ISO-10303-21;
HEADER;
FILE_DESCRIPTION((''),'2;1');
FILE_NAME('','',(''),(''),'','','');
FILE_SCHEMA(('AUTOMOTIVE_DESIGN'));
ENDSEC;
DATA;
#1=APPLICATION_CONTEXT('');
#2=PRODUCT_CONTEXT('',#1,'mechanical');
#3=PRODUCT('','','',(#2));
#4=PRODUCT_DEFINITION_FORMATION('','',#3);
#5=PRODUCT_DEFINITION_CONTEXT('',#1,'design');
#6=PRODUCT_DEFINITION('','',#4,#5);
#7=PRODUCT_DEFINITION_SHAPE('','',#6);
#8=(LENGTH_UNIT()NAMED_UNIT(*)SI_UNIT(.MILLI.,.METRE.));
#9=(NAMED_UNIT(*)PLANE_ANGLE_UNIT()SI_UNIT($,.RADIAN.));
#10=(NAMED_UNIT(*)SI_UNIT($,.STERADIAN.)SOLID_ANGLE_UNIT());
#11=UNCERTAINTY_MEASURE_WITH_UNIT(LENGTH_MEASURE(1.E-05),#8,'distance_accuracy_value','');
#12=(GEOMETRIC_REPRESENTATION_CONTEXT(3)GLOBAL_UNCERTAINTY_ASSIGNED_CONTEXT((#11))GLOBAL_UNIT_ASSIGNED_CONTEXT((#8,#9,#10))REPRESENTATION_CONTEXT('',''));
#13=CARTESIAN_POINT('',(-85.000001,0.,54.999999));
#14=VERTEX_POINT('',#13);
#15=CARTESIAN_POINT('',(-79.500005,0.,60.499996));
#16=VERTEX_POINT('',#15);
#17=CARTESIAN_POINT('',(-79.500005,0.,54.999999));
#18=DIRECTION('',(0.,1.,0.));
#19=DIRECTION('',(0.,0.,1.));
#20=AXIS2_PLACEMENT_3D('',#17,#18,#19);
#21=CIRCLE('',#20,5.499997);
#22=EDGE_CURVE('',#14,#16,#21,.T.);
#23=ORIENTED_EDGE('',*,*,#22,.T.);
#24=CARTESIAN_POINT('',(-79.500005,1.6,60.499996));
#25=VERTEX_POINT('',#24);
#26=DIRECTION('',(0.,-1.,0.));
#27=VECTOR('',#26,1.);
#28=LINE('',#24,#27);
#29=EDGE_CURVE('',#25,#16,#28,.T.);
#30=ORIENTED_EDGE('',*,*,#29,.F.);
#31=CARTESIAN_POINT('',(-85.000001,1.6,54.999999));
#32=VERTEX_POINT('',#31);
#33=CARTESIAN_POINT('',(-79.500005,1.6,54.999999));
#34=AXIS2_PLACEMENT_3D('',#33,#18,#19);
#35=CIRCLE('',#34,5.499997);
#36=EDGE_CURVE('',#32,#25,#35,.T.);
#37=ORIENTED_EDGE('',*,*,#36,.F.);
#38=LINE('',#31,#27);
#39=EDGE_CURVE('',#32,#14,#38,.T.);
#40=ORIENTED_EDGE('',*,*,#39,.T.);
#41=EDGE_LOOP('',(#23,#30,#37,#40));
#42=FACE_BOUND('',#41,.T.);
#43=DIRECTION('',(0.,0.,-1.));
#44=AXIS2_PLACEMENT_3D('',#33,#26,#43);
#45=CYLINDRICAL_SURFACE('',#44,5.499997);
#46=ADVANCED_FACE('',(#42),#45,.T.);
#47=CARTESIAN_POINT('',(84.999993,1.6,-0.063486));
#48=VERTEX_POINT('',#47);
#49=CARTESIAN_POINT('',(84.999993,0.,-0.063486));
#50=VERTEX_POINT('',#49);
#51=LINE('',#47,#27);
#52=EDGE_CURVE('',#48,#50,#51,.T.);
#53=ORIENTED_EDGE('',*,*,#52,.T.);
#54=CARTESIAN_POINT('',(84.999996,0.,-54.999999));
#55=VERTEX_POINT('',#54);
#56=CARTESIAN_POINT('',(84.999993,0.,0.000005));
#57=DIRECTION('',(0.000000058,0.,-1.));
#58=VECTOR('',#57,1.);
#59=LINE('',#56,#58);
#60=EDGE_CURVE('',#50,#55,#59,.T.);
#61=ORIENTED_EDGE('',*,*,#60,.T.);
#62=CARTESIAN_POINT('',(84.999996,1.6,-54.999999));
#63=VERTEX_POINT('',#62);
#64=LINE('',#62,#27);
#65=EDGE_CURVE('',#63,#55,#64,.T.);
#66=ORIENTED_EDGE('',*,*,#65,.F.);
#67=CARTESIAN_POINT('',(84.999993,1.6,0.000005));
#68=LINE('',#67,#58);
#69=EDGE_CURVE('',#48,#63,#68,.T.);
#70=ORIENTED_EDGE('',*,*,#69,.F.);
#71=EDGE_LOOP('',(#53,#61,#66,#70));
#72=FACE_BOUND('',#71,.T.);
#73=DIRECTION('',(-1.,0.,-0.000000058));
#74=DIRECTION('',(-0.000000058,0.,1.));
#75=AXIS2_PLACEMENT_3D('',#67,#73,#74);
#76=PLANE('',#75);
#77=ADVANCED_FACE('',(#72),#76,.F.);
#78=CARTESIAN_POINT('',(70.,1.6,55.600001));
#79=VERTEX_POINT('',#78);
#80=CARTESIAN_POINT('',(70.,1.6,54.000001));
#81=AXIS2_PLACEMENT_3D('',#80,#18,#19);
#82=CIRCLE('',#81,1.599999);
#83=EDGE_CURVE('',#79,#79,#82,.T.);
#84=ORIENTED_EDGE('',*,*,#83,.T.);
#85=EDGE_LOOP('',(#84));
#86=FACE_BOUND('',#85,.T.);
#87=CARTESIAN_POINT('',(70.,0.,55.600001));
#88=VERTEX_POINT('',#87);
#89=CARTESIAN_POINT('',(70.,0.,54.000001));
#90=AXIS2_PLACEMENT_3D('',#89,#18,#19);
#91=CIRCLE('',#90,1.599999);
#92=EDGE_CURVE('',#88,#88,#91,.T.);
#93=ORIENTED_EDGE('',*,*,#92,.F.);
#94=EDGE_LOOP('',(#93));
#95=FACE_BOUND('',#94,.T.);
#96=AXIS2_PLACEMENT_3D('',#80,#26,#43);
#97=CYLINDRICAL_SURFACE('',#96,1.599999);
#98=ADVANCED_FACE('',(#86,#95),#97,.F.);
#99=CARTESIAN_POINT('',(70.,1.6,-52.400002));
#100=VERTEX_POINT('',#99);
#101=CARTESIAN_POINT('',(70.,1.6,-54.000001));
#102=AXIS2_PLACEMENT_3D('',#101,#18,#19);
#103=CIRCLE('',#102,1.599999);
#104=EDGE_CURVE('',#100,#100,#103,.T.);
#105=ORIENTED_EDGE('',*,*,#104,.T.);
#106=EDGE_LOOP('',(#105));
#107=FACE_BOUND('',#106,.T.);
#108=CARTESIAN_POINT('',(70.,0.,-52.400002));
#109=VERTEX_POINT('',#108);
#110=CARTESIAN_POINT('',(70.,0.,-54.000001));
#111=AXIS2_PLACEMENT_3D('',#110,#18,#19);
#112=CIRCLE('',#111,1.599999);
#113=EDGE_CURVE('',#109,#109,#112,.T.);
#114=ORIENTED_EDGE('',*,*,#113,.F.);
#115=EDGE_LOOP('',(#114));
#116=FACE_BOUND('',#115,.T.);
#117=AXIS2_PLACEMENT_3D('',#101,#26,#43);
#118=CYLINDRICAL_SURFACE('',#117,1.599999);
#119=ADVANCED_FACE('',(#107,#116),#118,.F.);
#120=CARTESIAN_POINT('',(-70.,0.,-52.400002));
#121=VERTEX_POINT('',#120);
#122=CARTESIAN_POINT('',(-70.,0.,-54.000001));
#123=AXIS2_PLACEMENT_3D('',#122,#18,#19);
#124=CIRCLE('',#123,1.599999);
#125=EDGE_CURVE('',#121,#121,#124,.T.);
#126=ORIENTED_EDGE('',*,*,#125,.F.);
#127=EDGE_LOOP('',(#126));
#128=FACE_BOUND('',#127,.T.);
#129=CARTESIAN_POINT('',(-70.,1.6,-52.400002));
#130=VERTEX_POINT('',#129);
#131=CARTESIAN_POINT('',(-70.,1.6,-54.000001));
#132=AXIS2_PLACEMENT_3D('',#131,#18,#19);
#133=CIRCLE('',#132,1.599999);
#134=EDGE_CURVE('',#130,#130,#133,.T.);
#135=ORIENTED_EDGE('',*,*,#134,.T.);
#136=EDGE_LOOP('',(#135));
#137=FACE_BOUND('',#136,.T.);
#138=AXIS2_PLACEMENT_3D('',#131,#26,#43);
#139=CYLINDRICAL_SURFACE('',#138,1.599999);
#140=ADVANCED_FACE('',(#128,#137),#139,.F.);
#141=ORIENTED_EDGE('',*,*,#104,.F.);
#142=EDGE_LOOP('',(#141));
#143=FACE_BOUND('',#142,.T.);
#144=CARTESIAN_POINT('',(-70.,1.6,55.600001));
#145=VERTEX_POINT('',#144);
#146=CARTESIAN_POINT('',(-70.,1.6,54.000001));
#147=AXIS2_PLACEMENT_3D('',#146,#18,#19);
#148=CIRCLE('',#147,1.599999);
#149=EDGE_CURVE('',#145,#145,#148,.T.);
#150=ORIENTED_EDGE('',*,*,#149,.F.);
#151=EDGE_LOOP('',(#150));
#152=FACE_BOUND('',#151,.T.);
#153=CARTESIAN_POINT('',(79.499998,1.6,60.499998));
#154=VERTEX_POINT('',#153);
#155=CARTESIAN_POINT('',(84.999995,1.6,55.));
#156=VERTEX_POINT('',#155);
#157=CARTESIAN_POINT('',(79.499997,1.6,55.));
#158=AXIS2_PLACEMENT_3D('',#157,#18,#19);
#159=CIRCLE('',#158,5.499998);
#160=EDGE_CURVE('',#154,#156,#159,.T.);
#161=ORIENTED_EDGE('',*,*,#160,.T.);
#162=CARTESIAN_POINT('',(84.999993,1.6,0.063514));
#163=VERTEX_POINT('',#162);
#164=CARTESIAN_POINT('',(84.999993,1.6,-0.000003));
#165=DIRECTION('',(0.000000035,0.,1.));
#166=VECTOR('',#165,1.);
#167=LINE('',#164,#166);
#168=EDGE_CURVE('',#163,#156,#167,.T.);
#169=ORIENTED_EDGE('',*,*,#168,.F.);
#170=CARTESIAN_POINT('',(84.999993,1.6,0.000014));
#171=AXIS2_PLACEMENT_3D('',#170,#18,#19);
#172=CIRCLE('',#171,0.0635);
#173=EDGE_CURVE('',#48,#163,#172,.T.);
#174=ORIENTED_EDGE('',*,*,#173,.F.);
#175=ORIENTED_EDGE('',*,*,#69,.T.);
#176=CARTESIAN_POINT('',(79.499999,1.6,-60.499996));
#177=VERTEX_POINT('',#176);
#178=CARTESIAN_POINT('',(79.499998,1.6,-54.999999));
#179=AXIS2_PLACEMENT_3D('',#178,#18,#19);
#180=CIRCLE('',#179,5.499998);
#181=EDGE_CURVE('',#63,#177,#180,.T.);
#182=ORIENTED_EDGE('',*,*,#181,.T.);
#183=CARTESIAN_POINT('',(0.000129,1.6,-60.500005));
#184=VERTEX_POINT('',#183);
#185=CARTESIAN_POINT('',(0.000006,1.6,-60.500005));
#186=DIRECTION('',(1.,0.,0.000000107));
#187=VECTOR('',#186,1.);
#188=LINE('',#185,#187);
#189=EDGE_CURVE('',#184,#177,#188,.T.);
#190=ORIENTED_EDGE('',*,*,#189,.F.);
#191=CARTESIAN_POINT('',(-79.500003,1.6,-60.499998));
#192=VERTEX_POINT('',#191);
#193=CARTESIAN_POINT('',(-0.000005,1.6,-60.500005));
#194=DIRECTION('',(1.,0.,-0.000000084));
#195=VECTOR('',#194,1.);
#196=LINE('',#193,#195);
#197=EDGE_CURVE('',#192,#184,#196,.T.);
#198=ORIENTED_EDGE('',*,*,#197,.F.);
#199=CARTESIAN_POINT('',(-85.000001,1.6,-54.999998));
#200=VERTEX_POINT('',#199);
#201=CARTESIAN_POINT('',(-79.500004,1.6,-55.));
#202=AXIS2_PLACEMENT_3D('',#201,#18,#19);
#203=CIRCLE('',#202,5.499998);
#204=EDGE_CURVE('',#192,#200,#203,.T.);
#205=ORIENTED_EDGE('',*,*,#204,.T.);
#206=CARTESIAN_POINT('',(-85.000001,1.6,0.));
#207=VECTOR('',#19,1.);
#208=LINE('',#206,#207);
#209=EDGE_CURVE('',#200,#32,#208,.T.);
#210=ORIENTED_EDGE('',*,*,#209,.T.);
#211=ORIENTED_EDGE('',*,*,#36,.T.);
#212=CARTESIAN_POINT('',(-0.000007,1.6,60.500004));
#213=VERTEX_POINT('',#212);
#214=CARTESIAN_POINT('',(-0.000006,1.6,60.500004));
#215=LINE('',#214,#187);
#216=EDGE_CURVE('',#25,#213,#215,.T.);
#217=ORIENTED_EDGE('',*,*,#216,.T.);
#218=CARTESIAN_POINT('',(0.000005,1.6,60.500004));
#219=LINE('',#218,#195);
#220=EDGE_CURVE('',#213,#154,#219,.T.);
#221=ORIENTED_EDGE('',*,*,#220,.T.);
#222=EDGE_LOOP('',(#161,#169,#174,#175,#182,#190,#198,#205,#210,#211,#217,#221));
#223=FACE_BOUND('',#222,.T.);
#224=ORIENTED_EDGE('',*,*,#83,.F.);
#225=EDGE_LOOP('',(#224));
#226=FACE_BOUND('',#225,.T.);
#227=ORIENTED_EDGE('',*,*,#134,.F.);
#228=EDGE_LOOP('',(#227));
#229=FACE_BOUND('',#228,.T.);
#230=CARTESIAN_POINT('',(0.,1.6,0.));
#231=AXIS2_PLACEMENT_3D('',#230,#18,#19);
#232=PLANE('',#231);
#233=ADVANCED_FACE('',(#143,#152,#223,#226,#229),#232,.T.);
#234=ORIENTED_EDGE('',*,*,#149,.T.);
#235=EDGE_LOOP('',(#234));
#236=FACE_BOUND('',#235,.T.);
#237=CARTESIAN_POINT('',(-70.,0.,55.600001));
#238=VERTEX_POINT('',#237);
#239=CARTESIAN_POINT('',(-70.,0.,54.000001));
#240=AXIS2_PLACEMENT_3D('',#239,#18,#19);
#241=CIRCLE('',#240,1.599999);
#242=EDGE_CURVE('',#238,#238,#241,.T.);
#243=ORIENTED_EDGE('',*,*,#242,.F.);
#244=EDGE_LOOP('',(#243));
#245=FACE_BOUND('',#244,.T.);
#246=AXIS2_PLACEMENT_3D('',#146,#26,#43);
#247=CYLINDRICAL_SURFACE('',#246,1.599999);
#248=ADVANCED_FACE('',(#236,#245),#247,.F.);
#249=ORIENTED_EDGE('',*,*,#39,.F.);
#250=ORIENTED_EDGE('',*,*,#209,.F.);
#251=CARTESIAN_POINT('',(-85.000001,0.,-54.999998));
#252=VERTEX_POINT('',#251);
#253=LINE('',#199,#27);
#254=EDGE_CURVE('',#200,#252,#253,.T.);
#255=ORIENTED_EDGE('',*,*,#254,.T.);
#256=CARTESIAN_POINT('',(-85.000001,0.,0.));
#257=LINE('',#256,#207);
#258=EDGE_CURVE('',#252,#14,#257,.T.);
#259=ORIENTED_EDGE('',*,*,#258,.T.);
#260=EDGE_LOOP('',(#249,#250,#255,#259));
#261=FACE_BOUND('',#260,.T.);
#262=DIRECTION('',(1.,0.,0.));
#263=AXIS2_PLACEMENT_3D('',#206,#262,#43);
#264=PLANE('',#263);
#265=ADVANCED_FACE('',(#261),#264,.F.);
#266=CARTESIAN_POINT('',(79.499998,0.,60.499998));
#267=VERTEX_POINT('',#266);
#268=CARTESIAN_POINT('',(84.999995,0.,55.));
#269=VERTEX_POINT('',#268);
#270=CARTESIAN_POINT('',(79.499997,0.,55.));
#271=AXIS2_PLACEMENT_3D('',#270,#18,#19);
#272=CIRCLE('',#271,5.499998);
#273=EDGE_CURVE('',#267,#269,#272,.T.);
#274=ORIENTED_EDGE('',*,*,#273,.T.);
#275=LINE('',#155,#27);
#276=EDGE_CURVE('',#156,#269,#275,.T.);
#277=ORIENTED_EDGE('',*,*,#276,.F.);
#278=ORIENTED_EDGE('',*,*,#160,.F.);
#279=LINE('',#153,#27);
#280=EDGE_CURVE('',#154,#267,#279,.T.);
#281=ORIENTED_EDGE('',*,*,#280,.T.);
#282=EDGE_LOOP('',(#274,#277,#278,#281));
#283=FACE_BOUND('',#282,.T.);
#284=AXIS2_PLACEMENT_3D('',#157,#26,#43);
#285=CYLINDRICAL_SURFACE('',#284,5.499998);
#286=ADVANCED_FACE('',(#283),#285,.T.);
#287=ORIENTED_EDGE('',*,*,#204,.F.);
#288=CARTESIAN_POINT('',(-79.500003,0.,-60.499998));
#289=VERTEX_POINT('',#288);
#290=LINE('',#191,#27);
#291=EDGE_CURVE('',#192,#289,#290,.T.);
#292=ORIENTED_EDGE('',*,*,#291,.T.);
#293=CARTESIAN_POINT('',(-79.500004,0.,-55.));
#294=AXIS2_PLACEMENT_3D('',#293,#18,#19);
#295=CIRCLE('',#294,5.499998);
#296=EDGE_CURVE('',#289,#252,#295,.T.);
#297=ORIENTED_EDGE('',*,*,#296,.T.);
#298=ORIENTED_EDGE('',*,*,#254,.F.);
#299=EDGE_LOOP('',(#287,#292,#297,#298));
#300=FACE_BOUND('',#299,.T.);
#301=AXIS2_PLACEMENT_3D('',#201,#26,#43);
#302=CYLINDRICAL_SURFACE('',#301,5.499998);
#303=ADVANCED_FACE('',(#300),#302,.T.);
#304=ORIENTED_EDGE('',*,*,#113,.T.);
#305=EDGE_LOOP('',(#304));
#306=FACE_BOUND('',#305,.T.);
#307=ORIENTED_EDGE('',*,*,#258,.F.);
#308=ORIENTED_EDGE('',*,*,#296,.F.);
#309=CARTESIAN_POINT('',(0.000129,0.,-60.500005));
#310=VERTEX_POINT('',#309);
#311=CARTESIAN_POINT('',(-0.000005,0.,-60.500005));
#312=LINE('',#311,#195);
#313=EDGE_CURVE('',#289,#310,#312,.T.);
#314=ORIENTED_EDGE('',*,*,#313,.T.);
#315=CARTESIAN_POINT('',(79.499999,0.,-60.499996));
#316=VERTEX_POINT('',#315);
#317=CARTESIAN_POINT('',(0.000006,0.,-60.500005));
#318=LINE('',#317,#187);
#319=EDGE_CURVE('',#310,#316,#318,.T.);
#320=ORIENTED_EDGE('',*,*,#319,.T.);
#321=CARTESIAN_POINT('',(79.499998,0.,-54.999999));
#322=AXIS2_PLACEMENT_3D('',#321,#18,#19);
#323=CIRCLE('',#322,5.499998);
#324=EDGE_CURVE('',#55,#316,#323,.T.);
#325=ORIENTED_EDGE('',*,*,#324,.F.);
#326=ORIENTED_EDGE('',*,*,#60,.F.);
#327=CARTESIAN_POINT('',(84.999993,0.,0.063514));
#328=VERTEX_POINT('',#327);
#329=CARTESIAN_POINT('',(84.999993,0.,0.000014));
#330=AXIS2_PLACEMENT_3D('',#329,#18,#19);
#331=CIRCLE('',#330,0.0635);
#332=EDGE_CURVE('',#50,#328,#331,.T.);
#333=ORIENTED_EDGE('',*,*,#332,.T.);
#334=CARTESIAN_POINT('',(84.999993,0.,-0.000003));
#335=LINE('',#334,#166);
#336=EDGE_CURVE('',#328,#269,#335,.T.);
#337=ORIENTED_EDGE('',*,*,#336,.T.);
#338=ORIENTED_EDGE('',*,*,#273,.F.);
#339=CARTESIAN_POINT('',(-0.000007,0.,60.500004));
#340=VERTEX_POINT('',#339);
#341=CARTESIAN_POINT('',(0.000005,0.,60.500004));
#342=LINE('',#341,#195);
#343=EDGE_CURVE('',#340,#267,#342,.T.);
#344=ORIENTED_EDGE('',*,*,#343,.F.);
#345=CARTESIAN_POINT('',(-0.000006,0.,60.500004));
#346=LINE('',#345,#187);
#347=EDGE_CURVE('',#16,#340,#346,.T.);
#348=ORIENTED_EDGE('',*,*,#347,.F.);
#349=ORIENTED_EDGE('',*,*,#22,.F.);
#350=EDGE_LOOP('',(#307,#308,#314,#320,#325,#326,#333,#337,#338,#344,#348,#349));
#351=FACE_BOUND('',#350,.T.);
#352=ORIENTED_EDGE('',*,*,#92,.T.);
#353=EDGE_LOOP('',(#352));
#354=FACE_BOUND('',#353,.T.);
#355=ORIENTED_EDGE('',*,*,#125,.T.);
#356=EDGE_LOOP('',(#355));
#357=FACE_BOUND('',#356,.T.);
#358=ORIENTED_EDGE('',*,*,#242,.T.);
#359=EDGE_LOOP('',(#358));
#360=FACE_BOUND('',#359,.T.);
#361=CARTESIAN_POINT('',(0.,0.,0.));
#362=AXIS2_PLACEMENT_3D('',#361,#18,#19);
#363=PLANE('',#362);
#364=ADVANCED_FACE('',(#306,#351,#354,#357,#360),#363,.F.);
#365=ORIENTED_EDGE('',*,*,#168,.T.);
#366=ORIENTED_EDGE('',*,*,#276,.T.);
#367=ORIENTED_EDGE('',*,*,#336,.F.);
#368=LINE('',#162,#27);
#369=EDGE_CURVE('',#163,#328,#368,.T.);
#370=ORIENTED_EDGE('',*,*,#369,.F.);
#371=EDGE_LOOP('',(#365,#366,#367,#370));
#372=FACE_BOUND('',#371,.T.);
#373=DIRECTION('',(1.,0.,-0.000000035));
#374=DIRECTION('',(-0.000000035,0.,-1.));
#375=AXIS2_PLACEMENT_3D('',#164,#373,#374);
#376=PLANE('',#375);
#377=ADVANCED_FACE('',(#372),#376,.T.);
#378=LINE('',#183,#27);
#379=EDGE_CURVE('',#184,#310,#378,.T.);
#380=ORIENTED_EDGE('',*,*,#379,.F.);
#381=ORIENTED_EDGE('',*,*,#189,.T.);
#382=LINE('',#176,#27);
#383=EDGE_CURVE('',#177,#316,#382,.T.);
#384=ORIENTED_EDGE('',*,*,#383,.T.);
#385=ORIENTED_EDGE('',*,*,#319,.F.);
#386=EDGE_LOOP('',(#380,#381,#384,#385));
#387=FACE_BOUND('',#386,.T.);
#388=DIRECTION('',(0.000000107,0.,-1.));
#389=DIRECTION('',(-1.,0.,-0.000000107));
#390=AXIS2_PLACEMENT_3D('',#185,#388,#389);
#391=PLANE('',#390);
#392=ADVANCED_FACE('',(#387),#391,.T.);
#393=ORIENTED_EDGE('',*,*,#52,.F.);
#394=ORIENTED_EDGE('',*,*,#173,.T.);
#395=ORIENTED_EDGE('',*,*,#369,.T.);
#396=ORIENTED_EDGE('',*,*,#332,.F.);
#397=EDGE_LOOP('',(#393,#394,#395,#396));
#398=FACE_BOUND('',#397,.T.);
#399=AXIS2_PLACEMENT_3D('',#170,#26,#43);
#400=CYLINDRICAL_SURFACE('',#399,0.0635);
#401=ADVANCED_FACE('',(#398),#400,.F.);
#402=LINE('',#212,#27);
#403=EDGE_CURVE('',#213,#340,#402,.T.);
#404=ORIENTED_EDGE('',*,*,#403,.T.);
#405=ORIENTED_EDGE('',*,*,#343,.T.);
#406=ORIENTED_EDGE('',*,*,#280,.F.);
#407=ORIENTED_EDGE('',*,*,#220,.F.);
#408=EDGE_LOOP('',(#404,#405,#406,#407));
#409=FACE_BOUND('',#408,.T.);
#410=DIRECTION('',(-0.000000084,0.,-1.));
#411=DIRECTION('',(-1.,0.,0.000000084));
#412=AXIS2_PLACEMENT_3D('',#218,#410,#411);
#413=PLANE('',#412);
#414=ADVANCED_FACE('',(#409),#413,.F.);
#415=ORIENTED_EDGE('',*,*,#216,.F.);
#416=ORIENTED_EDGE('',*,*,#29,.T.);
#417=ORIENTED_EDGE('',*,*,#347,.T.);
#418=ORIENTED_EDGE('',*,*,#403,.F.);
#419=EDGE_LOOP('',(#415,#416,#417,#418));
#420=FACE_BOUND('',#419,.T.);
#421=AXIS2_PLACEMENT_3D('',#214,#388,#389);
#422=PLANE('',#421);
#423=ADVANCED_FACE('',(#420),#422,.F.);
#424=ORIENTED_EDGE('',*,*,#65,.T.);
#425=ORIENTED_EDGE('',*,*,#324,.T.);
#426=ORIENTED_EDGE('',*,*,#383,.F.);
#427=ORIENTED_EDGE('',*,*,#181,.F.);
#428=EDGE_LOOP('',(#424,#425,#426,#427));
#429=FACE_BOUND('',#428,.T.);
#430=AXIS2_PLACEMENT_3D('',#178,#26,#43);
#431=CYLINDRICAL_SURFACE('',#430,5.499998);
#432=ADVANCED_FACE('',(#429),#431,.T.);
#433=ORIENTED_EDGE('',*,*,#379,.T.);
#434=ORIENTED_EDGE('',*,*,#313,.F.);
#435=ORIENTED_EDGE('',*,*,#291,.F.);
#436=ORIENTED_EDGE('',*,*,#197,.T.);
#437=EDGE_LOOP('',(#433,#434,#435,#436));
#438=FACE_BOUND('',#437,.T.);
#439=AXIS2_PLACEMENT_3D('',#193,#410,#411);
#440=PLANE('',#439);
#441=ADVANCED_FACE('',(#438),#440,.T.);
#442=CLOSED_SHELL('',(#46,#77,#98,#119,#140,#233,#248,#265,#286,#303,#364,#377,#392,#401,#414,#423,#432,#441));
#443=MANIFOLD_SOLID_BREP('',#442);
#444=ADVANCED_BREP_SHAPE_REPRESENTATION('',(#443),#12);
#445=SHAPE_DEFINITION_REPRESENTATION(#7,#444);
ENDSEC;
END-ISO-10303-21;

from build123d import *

# Parameters (mm, degrees)
SKIZZE1_R                       = 1.59999934
AUFSATZ_LINEAR_AUSTRAGEN2_DEPTH = 1.6


with BuildPart() as part:
    # Skizze1 → Aufsatz-Linear austragen2 (new body)
    with BuildSketch(Plane(origin=(0, 0, 0), x_dir=(1, 0, 0), z_dir=(0, 1, 0))):
        with BuildLine():
            Line((0.000129244, 60.500005019), (-79.500003496, 60.499998316))
            ThreePointArc((-79.500003496, 60.499998316), (-83.389090307, 58.889085288), (-85.00000145, 54.999997696))
            Line((-85.00000145, 54.999997696), (-85.00000145, -54.999999283))
            ThreePointArc((-85.00000145, -54.999999283), (-83.389089945, -58.889083981), (-79.500005421, -60.499995903))
            Line((-79.500005421, -60.499995903), (-7.348e-06, -60.500004441))
            Line((-7.348e-06, -60.500004441), (79.499997674, -60.499997739))
            ThreePointArc((79.499997674, -60.499997739), (83.389083246, -58.889085422), (84.9999951, -54.999999659))
            Line((84.9999951, -54.999999659), (84.999993197, -0.063514366))
            ThreePointArc((84.999993197, -0.063514366), (84.936493195, -1.4365e-05), (84.999993199, 0.063485634))
            Line((84.999993199, 0.063485634), (84.99999637, 54.999998527))
            ThreePointArc((84.99999637, 54.999998527), (83.389084516, 58.889084164), (79.499999071, 60.499996481))
            Line((79.499999071, 60.499996481), (0.000129244, 60.500005019))
        make_face()
        with Locations(Location((-69.9999997, -54.00000122, 0), (0, 0, 270))):
            Circle(SKIZZE1_R, mode=Mode.SUBTRACT)
        with Locations(Location((69.9999997, -54.00000122, 0), (0, 0, 270))):
            Circle(SKIZZE1_R, mode=Mode.SUBTRACT)
        with Locations(Location((-69.9999997, 54.00000122, 0), (0, 0, 270))):
            Circle(SKIZZE1_R, mode=Mode.SUBTRACT)
        with Locations(Location((69.9999997, 54.00000122, 0), (0, 0, 270))):
            Circle(SKIZZE1_R, mode=Mode.SUBTRACT)
    extrude(amount=AUFSATZ_LINEAR_AUSTRAGEN2_DEPTH)


solid = part.part
